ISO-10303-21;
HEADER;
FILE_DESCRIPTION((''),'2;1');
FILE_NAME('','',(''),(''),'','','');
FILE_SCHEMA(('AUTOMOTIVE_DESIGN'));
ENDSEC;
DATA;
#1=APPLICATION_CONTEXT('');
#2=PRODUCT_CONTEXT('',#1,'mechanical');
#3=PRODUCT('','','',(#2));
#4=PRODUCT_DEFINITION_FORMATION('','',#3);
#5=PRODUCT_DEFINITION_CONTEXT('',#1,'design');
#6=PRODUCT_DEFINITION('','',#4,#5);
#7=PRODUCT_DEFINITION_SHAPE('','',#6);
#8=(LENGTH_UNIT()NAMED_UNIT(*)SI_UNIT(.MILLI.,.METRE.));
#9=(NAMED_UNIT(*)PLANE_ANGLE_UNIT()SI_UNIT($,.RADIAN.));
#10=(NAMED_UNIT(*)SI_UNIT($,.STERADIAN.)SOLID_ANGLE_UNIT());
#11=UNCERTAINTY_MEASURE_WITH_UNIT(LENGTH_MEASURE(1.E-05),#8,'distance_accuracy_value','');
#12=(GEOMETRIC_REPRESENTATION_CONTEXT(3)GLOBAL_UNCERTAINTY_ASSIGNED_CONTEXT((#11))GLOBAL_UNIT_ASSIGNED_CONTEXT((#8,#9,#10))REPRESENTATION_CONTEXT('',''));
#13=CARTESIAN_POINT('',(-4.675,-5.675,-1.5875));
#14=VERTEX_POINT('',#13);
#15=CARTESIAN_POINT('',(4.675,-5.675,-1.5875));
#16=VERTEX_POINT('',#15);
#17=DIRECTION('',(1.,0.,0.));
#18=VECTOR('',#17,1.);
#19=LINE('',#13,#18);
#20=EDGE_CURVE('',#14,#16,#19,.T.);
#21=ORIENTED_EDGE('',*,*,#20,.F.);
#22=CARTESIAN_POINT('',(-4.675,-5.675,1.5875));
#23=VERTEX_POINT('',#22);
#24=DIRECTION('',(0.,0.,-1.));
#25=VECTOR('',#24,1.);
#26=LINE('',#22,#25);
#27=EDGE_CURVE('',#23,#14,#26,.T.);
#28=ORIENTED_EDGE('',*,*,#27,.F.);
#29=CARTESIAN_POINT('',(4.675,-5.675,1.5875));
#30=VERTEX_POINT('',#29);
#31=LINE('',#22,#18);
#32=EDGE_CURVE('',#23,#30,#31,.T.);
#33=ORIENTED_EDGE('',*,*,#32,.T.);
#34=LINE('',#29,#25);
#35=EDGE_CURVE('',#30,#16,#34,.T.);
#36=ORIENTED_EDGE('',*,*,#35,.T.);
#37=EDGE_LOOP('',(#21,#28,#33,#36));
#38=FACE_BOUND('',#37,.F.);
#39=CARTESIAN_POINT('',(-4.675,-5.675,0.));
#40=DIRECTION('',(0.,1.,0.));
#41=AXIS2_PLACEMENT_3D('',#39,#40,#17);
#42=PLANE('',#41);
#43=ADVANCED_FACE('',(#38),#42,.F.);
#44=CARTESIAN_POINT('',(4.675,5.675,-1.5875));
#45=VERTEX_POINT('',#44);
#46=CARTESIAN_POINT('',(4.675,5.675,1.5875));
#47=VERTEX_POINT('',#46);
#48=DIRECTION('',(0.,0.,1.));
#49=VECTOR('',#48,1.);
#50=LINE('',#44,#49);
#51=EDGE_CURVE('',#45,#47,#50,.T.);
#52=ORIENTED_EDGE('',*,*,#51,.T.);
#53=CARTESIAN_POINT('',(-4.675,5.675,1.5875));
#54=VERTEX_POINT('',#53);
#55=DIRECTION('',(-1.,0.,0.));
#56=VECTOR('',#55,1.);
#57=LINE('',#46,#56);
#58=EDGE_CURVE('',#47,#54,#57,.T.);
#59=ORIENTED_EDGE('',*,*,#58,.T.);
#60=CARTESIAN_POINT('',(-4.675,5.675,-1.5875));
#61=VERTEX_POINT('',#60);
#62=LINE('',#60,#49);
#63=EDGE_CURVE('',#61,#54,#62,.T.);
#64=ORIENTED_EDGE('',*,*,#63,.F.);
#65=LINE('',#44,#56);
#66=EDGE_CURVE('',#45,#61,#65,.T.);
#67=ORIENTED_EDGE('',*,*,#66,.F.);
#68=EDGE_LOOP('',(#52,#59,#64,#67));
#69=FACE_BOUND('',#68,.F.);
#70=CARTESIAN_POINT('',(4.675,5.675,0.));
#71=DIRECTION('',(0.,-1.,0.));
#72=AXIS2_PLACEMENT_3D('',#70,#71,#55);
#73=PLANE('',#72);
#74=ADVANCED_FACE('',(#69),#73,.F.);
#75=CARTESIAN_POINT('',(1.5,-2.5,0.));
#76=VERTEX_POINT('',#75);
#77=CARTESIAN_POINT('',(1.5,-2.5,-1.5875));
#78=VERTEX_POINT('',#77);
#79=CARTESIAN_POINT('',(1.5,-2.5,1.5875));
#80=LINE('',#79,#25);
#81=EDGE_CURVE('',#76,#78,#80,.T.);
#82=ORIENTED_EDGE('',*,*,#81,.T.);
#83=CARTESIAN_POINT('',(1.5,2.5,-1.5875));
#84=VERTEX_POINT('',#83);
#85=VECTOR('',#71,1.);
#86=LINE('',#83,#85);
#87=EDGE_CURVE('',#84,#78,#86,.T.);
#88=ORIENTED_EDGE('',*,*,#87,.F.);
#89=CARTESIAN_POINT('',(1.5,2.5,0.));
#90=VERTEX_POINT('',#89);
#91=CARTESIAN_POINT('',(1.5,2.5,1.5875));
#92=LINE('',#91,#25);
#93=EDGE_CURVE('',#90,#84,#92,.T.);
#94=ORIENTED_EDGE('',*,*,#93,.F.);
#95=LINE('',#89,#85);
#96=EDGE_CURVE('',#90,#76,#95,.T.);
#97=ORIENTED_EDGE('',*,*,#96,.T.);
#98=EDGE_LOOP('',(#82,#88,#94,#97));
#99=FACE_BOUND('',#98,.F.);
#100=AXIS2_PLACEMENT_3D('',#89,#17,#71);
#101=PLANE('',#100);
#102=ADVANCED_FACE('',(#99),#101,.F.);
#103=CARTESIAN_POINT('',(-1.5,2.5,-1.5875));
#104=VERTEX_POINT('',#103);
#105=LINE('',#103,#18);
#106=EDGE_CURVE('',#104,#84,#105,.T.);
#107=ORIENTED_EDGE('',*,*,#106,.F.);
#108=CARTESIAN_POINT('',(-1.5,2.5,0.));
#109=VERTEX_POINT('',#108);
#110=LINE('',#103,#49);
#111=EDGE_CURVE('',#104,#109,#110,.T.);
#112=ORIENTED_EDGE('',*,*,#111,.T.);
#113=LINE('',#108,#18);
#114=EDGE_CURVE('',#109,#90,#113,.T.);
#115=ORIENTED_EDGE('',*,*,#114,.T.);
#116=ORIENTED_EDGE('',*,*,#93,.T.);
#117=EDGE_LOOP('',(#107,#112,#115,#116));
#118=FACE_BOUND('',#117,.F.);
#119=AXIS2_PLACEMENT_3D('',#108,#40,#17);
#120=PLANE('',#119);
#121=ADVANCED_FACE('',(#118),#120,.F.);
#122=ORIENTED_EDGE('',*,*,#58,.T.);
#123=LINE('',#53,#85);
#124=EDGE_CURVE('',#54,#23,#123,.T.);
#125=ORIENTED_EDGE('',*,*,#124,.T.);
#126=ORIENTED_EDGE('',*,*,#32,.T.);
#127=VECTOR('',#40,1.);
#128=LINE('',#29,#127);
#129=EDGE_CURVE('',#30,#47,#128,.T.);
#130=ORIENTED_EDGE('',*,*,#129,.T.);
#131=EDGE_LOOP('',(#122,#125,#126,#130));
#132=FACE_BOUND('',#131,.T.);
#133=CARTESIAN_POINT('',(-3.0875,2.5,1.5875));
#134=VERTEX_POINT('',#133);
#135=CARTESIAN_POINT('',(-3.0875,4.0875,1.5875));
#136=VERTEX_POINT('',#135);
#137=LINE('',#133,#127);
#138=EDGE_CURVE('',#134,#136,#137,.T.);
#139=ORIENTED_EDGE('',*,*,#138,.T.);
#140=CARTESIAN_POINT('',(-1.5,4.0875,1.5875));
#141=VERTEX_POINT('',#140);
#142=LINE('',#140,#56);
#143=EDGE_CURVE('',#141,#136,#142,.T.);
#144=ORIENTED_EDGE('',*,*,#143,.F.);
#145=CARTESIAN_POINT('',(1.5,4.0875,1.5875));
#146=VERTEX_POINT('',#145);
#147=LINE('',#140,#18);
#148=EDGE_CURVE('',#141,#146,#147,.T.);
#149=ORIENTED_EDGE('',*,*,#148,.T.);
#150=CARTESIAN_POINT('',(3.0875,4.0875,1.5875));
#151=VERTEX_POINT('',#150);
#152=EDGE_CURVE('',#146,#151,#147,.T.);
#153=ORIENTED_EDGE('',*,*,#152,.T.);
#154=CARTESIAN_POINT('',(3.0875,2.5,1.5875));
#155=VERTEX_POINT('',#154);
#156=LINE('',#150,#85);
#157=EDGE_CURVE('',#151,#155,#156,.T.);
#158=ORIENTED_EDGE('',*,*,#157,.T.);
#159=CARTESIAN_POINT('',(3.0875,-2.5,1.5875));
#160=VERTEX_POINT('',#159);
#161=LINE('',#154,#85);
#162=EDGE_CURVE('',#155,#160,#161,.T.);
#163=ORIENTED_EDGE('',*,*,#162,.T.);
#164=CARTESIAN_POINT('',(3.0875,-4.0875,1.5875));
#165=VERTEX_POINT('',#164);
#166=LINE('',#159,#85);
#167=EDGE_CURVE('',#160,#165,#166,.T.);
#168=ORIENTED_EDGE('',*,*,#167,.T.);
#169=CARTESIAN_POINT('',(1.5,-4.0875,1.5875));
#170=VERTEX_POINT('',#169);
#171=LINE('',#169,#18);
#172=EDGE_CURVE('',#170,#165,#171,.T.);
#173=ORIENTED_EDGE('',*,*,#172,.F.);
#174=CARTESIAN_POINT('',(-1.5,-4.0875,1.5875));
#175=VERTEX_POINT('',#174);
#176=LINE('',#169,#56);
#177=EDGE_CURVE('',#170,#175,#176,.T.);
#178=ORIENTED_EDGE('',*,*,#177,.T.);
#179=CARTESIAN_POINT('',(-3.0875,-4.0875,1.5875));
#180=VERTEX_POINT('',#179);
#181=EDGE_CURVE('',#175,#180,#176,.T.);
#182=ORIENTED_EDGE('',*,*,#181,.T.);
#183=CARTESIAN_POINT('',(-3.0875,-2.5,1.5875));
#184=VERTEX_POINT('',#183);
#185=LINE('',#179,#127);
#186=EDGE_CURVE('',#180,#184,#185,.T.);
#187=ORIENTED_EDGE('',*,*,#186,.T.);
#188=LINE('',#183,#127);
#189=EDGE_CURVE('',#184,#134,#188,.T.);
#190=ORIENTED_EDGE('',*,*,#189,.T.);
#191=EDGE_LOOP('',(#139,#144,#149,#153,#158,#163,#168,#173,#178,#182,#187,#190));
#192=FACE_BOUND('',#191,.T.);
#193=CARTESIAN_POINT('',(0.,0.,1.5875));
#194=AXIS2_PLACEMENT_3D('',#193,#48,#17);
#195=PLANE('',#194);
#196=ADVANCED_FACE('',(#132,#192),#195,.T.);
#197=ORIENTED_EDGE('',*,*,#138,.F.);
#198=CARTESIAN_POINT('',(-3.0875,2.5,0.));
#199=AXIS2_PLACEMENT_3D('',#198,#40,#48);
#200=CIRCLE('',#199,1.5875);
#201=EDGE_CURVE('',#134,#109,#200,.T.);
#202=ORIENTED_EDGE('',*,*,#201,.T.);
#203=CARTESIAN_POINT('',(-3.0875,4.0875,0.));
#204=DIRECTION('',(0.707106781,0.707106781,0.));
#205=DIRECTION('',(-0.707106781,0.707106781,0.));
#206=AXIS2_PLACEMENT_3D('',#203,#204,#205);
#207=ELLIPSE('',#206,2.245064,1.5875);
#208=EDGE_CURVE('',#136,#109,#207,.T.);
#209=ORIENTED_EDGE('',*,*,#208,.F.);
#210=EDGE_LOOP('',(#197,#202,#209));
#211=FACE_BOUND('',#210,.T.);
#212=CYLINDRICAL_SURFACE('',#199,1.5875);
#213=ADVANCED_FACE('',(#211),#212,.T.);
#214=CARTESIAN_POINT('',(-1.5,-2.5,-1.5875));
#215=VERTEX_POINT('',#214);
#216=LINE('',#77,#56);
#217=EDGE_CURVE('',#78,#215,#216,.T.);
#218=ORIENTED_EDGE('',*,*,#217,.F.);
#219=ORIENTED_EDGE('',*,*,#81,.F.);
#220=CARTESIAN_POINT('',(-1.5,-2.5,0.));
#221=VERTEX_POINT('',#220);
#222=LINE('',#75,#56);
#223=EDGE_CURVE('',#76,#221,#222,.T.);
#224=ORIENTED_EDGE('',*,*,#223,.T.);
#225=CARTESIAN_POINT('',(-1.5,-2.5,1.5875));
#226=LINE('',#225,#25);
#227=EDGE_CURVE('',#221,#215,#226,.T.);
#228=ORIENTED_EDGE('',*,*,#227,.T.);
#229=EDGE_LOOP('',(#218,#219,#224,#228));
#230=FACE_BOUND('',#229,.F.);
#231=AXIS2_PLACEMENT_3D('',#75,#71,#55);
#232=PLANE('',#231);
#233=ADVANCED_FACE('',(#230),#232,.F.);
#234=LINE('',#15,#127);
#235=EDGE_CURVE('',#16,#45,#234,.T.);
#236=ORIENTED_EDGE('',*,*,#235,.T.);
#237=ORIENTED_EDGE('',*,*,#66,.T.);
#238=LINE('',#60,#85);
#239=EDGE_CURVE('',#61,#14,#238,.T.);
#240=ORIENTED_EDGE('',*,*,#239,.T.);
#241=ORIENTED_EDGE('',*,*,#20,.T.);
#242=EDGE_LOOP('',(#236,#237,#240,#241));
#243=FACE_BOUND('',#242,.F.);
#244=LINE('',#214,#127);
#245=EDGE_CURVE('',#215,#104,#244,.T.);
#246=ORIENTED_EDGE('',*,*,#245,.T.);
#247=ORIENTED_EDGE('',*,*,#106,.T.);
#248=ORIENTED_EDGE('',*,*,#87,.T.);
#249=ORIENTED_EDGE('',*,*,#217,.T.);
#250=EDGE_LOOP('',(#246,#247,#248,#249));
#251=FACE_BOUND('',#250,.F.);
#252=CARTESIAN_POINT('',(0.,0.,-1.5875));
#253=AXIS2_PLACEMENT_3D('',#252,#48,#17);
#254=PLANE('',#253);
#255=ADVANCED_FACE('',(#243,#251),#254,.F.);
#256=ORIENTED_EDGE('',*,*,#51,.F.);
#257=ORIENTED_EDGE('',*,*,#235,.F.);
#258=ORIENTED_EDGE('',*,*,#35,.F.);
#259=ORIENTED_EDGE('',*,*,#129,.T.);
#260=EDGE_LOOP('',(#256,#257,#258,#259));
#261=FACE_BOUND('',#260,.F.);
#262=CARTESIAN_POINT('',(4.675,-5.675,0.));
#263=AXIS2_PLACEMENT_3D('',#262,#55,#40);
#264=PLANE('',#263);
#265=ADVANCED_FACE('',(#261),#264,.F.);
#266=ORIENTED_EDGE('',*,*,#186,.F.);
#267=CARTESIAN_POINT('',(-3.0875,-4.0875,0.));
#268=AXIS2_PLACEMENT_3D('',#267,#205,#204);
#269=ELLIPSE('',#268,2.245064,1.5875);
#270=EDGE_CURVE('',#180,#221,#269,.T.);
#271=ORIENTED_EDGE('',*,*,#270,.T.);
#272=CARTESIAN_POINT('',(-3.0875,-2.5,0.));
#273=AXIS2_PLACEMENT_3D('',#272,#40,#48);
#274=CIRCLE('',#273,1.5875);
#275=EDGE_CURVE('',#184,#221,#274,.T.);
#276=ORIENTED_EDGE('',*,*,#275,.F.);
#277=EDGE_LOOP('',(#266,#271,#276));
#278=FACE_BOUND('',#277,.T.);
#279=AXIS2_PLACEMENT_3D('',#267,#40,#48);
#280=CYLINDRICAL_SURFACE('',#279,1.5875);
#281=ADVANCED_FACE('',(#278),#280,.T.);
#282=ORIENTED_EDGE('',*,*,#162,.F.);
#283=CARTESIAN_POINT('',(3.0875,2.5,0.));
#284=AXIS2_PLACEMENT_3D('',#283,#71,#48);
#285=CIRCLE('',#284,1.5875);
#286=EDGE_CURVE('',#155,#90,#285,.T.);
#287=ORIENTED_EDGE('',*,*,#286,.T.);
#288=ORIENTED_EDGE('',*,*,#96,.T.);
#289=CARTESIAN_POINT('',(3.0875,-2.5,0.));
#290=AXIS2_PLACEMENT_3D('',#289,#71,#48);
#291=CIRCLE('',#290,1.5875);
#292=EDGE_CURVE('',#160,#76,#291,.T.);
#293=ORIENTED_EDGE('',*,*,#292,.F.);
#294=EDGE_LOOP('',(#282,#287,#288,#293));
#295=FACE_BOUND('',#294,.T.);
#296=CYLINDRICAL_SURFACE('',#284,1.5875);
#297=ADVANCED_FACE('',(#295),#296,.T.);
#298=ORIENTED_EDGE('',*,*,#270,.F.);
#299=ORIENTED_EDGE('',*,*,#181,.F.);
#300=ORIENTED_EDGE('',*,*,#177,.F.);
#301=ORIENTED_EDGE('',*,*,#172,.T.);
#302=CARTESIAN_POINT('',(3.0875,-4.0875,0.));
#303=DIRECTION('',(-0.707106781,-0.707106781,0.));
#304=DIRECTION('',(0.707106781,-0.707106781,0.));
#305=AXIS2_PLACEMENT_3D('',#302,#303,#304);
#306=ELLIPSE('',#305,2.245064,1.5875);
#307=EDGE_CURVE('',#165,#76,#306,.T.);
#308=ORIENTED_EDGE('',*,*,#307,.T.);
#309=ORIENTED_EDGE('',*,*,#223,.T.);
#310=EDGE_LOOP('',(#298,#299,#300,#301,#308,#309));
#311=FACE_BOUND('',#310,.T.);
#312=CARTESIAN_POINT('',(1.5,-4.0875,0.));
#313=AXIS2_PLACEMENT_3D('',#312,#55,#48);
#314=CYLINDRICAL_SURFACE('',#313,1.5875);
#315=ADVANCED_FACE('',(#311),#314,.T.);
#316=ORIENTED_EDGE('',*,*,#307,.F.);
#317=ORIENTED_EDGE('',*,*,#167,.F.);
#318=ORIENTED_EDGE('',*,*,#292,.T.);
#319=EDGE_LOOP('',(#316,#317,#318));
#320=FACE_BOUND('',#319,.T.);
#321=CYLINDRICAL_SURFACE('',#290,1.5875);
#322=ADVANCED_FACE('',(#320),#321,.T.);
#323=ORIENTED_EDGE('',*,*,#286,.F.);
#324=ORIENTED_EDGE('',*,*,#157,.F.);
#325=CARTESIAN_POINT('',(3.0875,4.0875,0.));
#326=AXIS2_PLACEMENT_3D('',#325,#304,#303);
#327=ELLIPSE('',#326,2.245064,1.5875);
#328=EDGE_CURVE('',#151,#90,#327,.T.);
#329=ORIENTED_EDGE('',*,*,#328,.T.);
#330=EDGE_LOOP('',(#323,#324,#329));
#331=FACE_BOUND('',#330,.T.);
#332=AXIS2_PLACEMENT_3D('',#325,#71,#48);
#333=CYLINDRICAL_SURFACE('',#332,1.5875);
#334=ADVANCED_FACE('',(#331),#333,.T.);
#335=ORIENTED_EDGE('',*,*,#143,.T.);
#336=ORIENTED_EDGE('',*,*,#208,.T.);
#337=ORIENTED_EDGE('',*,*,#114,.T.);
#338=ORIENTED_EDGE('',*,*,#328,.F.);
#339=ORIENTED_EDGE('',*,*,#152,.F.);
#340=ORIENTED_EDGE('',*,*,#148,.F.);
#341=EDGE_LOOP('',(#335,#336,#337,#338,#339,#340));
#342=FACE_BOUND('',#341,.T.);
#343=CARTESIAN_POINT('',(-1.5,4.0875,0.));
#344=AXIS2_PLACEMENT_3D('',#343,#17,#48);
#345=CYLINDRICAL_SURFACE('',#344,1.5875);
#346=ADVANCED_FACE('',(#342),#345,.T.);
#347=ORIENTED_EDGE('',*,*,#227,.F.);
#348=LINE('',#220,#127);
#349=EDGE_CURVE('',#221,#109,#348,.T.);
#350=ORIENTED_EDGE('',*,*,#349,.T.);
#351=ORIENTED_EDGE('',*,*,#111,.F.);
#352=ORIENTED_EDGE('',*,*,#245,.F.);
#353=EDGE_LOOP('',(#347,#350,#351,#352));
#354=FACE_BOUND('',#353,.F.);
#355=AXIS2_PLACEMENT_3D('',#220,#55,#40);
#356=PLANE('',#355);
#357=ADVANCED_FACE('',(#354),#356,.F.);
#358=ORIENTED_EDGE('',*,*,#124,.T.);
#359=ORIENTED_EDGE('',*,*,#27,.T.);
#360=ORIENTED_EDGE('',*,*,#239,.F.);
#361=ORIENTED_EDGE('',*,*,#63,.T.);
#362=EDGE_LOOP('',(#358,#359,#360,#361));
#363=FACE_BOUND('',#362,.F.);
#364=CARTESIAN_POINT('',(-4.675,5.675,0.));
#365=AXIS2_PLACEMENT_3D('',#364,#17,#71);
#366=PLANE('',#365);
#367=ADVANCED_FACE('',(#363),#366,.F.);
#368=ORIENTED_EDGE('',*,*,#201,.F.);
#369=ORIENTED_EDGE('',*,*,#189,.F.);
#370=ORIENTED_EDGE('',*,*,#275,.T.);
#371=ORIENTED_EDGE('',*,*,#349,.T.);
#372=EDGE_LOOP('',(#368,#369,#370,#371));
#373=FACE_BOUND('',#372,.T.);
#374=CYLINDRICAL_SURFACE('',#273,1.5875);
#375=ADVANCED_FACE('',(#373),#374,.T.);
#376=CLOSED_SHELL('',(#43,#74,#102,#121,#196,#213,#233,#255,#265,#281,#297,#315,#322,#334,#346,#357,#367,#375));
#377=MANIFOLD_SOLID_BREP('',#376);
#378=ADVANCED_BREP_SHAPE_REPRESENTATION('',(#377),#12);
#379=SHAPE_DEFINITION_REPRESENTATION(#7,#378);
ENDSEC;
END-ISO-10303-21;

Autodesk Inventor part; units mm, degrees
ref_plane "YZ Plane" through (0, 0, 0) normal (1, 0, 0) x (0, 1, 0)
ref_plane "XZ Plane" through (0, 0, 0) normal (0, 1, 0) x (-1, 0, 0)
ref_plane "XY Plane" through (0, 0, 0) normal (0, 0, 1) x (1, 0, 0)
sketch "Sketch1" plane through (0, 0, 0) normal (0, 0, 1) x (1, 0, 0)
  line L0 (-1.5, 2.5) -> (1.5, 2.5)
  line L1 (1.5, 2.5) -> (1.5, -2.5)
  line L2 (1.5, -2.5) -> (-1.5, -2.5)
  line L3 (-1.5, -2.5) -> (-1.5, 2.5)
  line L4 (-1.5, 2.5) -> (1.5, -2.5) construction
  line L5 (1.5, 2.5) -> (-1.5, -2.5) construction
  line L6 (4.675, 5.675) -> (-4.675, 5.675)
  line L7 (-4.675, 5.675) -> (-4.675, -5.675)
  line L8 (-4.675, -5.675) -> (4.675, -5.675)
  line L9 (4.675, -5.675) -> (4.675, 5.675)
  point P0 (0, 0)
  dimension "d0" = 3
  dimension "d1" = 5
  dimension "d2" = 3.175
extrude "Extrusion1" add sketch "Sketch1" along normal mid plane 3.175
fillet "Fillet1" radius 1.5875 2 edges at (0, 2.5, 1.5875) (0, -2.5, 1.5875)
fillet "Fillet2" radius 1.5875 2 edges at (-1.5, 0, 1.5875) (1.5, 0, 1.5875)
properties part number "Motor Fitting Test 2"
